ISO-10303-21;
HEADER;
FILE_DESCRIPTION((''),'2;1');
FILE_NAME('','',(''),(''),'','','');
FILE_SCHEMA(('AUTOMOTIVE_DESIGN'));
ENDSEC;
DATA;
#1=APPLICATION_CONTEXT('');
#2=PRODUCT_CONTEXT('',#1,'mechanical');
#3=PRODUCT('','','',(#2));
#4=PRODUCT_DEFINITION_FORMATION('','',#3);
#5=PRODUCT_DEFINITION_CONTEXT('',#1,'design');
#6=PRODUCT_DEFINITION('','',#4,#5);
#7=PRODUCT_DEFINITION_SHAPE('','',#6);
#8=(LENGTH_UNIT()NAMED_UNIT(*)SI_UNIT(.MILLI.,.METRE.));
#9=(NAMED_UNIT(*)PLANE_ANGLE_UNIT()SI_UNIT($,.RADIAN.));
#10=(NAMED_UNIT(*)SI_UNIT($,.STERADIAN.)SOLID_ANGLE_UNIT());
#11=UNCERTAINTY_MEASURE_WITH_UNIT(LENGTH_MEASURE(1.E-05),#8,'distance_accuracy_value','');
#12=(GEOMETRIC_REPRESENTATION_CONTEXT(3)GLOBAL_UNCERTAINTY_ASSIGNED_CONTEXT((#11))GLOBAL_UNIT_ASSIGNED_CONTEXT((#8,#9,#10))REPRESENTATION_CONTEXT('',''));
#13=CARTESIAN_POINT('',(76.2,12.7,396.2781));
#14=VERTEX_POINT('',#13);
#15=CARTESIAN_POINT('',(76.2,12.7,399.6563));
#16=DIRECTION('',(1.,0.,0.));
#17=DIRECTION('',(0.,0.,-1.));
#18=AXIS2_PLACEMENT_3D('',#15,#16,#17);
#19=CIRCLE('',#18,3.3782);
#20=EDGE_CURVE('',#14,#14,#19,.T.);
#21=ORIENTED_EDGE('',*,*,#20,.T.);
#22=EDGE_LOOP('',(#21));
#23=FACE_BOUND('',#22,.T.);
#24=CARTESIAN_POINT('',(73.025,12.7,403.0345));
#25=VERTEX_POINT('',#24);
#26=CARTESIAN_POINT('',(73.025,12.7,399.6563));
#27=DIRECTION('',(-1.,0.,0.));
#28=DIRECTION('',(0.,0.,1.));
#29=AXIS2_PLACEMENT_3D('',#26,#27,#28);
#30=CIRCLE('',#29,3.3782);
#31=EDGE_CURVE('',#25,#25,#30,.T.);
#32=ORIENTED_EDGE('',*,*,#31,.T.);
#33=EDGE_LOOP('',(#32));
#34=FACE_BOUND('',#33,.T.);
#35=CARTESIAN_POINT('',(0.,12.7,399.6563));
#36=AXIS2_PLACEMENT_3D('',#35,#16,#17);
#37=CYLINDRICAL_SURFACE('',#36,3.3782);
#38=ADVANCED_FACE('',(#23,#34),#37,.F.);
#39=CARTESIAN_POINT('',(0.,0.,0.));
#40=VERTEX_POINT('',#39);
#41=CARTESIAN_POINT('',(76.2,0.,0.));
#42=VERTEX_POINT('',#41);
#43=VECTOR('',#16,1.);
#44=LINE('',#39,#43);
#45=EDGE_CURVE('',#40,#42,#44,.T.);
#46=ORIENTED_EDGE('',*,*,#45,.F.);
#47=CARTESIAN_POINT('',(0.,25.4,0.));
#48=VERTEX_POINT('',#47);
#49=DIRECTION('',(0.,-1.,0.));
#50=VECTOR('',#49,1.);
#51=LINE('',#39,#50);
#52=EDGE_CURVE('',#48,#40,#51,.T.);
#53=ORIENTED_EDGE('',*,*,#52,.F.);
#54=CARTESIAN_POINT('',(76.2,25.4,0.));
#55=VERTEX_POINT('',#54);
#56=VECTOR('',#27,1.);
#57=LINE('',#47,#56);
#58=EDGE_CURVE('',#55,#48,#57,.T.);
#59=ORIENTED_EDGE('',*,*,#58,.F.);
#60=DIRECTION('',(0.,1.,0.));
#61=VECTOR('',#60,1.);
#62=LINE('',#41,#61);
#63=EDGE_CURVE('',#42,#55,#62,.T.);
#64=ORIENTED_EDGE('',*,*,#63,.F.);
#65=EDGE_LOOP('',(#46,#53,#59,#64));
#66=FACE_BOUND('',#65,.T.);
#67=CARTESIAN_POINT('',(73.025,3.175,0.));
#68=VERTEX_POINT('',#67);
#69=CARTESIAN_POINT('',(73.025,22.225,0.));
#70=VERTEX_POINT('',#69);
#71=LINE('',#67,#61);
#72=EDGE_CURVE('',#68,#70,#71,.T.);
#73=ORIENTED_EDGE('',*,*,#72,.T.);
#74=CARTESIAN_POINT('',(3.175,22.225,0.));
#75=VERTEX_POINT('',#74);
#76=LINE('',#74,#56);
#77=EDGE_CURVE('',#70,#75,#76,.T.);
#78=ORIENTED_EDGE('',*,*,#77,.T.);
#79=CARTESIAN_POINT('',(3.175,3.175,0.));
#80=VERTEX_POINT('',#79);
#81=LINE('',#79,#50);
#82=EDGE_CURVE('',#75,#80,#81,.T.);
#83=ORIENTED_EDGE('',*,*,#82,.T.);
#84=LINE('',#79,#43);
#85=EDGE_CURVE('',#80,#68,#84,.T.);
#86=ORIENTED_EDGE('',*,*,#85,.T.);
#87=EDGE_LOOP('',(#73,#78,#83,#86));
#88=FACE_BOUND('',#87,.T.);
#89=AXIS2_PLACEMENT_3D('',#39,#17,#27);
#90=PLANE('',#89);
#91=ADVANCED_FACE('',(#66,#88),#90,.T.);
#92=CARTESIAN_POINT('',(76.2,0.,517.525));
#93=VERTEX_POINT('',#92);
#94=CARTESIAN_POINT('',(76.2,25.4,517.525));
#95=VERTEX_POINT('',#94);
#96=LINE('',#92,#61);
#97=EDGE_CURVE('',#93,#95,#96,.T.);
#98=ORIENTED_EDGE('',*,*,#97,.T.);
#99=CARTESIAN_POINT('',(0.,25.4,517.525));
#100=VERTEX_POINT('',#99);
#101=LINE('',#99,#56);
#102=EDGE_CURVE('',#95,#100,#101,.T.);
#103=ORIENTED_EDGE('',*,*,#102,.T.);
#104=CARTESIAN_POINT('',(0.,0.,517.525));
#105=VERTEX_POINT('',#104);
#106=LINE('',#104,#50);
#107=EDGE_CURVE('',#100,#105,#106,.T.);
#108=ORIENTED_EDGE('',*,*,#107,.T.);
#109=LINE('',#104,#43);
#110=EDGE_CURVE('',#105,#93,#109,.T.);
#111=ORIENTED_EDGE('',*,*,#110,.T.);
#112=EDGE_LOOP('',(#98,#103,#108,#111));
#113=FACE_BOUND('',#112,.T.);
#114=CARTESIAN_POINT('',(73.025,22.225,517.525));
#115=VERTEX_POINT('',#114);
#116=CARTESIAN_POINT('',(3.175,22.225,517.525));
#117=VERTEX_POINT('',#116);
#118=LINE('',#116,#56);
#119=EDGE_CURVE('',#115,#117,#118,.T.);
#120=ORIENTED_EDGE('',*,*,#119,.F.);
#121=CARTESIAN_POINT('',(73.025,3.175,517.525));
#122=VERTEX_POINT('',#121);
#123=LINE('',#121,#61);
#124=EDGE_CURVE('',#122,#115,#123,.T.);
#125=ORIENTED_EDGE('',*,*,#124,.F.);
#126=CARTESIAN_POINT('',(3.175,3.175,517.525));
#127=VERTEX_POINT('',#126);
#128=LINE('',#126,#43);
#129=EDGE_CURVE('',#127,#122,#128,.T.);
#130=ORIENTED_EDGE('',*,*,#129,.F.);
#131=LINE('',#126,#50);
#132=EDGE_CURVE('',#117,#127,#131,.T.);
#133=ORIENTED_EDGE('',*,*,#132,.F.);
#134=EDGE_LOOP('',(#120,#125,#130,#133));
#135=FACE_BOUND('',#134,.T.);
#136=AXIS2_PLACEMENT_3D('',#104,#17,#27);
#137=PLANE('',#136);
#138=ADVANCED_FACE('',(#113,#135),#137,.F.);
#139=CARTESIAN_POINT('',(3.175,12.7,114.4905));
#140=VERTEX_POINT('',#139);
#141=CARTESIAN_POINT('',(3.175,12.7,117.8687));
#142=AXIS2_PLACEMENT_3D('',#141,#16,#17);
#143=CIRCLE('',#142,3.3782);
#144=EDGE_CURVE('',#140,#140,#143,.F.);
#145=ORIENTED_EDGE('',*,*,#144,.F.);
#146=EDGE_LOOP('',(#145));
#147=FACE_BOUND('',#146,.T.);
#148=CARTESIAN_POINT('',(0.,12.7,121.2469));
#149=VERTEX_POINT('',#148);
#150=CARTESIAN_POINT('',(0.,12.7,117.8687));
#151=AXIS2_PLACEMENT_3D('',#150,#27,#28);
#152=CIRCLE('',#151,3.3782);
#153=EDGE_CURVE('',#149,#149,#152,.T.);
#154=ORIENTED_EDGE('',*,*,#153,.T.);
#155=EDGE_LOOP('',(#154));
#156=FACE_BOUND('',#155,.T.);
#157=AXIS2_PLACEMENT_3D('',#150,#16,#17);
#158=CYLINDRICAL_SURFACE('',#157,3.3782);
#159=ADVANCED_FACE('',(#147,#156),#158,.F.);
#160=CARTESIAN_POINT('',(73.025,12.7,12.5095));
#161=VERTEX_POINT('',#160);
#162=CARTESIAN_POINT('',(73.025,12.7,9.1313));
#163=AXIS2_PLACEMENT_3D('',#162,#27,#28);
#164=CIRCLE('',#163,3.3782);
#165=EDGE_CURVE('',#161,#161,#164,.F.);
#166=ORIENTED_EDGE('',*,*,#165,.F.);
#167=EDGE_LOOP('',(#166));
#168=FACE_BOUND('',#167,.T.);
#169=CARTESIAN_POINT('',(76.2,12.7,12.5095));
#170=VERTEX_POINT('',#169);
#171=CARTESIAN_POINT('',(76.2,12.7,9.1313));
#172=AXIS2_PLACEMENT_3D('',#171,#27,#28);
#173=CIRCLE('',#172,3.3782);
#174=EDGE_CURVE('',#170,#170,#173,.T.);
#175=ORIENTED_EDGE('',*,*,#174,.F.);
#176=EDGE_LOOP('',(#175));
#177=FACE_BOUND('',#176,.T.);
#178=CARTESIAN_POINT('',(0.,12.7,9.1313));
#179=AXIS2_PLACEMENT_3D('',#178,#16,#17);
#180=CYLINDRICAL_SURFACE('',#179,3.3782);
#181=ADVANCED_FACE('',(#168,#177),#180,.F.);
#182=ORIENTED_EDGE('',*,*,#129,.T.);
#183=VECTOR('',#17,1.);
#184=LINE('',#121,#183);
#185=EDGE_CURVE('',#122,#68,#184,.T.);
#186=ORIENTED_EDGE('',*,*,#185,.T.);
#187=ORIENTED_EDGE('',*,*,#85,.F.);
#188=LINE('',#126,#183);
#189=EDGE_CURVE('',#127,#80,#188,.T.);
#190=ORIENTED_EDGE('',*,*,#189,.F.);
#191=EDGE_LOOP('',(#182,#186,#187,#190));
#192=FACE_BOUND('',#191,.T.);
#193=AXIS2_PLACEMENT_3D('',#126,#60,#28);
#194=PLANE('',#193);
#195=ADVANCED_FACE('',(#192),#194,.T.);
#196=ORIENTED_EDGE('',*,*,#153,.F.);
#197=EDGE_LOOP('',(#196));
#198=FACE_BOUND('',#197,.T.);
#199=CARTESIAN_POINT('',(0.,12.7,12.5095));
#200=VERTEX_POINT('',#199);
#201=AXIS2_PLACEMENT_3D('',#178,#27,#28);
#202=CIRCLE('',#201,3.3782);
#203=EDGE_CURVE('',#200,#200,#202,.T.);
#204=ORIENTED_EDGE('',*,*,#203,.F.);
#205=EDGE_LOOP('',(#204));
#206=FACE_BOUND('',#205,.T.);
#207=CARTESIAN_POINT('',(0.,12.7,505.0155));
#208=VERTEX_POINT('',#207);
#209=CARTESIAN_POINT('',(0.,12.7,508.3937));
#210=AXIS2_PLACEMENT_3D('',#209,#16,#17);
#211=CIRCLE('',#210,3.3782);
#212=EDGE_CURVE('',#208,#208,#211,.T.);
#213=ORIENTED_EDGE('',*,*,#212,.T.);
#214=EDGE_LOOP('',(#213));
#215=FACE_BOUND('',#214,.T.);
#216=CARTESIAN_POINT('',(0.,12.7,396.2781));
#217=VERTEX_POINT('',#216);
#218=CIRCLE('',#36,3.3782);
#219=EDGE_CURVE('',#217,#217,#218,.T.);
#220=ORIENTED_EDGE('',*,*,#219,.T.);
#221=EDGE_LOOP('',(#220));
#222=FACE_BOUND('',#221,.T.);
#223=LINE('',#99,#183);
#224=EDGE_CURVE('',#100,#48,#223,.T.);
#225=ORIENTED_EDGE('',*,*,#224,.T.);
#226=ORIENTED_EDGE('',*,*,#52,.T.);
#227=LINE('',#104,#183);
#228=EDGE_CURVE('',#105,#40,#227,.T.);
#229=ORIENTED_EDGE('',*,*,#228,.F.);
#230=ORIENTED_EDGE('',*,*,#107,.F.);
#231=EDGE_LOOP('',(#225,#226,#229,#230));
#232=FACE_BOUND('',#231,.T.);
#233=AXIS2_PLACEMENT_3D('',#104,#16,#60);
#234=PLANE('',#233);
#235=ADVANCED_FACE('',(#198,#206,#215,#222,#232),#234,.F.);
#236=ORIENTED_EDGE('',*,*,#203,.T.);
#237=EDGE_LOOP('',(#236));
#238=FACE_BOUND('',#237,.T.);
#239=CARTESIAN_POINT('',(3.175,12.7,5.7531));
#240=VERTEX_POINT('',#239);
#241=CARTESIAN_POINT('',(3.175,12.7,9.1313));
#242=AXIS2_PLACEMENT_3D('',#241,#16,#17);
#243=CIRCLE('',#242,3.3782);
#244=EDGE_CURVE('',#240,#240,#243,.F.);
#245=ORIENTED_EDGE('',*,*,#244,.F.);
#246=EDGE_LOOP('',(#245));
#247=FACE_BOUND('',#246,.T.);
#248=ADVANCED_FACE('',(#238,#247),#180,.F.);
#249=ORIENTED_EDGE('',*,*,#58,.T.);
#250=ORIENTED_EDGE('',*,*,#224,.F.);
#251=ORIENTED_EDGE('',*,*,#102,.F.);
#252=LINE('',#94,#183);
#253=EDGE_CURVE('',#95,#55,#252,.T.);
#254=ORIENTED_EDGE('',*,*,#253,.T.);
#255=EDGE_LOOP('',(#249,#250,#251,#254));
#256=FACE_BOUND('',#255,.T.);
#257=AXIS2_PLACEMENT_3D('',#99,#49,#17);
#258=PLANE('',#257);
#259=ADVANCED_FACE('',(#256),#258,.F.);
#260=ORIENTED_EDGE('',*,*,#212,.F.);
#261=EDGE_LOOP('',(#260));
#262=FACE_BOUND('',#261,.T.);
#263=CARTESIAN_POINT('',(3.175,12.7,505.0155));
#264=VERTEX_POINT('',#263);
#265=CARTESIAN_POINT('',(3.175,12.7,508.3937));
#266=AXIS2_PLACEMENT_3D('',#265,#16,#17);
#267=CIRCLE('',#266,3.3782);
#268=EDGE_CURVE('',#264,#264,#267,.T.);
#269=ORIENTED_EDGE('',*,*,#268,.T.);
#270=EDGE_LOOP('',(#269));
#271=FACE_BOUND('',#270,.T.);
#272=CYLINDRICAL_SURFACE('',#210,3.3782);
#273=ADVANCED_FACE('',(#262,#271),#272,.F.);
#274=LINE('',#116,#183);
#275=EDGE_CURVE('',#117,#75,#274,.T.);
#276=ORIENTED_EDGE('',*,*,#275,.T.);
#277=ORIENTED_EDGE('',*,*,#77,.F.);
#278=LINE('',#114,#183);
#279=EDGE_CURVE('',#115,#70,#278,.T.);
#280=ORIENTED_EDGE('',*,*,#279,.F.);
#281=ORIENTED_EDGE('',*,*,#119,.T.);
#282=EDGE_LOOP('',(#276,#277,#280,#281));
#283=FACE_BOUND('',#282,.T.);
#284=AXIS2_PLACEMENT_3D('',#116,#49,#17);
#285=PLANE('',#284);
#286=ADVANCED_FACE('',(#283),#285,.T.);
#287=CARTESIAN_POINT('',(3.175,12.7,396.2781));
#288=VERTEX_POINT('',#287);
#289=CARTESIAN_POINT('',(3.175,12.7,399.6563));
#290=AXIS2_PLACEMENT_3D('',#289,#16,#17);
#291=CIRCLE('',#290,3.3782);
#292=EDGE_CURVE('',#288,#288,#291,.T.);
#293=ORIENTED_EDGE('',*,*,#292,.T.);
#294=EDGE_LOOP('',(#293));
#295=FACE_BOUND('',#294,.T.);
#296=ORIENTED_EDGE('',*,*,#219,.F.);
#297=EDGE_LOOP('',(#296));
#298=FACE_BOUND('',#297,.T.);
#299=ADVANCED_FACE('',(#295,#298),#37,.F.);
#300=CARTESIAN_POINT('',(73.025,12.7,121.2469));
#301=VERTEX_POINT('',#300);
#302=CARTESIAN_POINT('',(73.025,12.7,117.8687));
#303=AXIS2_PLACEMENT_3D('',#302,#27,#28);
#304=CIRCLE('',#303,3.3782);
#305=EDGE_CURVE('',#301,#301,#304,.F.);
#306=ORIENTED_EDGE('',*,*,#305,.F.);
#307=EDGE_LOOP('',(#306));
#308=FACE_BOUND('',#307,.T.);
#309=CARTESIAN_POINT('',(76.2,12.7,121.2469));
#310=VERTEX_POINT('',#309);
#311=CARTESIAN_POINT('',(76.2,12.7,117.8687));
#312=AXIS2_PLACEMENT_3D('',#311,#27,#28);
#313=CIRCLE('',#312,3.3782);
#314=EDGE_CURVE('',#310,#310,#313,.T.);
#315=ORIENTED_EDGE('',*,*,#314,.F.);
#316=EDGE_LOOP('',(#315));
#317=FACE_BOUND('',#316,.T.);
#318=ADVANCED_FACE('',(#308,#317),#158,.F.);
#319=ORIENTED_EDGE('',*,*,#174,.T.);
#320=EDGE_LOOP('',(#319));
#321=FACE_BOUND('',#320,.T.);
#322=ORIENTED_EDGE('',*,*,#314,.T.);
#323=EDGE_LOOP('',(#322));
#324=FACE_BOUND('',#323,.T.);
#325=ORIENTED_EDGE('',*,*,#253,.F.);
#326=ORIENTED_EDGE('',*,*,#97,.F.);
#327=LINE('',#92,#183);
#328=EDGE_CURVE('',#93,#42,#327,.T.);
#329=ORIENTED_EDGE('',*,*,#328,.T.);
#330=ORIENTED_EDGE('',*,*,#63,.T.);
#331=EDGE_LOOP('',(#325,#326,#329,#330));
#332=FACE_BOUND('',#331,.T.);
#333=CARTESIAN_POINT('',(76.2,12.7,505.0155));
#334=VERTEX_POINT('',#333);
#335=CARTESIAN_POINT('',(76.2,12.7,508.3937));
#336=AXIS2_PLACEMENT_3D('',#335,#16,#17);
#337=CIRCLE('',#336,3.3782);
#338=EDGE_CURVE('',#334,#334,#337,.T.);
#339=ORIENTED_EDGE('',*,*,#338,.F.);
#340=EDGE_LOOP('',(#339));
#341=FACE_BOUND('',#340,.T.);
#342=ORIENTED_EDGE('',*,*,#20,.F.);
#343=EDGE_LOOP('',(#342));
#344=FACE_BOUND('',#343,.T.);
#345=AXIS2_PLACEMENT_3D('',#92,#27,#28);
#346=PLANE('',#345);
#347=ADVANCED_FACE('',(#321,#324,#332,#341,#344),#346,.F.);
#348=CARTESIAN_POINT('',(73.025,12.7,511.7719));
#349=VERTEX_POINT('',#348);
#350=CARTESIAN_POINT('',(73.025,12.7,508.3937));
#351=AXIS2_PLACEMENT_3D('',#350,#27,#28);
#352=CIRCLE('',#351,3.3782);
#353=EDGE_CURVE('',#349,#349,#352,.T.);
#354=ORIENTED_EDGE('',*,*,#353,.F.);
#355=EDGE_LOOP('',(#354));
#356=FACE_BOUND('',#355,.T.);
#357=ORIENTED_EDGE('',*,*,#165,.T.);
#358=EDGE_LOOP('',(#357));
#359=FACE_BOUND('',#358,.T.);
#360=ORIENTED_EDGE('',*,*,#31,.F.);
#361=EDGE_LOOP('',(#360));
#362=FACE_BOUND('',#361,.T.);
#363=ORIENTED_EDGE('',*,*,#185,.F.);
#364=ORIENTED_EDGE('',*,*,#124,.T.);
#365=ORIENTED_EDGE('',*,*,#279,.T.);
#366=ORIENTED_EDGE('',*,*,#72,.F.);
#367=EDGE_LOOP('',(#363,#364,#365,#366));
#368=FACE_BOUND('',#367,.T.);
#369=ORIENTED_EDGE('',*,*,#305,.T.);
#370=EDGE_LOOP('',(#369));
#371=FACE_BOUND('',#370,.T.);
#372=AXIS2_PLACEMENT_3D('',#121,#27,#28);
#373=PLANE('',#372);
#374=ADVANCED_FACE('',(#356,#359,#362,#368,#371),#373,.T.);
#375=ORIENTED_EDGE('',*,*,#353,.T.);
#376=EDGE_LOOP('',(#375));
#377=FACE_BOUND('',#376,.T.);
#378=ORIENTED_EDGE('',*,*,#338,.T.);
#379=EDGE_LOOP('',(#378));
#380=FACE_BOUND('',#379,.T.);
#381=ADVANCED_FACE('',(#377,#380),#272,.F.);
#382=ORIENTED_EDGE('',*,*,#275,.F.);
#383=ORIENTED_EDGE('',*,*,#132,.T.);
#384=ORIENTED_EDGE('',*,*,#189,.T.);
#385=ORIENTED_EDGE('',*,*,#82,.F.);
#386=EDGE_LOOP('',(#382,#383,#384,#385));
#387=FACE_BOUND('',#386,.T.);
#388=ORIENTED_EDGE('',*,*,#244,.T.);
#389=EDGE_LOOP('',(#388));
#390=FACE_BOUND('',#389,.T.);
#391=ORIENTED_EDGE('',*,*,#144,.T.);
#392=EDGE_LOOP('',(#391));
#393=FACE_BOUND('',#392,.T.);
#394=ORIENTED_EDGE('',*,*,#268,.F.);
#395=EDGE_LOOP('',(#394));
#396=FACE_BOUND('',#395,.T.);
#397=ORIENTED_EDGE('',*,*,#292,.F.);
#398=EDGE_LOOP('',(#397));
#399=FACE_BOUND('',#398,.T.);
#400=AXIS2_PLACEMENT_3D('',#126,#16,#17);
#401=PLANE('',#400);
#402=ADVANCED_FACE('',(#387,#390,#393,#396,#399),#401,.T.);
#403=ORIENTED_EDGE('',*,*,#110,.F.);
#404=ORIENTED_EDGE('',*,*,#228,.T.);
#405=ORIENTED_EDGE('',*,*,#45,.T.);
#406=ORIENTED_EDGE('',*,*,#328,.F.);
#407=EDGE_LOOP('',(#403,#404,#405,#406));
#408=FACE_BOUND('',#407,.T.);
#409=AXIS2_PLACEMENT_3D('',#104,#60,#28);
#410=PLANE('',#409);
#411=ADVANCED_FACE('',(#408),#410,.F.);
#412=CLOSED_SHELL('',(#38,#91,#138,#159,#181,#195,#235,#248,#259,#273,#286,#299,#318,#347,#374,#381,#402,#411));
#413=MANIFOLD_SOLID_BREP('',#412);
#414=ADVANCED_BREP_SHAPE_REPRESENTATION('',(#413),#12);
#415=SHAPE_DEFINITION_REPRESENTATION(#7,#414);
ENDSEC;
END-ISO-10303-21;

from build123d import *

# Parameters (mm, degrees)
SKETCH1_W           = 76.2
SKETCH1_H           = 25.4
SKETCH1_W_2         = 69.85
SKETCH1_H_2         = 19.05
BOSS_EXTRUDE1_DEPTH = 517.525
SKETCH3_R           = 3.3782
CUT_EXTRUDE1_DEPTH  = 77.2


with BuildPart() as part:
    # Sketch1 → Boss-Extrude1 (new body)
    with BuildSketch(Plane.XY):
        with Locations((38.1, 12.7)):
            Rectangle(SKETCH1_W, SKETCH1_H)
        with Locations((38.1, 12.7)):
            Rectangle(SKETCH1_W_2, SKETCH1_H_2, mode=Mode.SUBTRACT)
    extrude(amount=BOSS_EXTRUDE1_DEPTH)

    # Sketch3 → Cut-Extrude1 (cut, through all)
    with BuildSketch(Plane(origin=(76.2, 0, 0), x_dir=(0, 0, -1), z_dir=(1, 0, 0))):
        with Locations((-508.3937, 12.7)):
            Circle(SKETCH3_R)
        with Locations((-399.6563, 12.7)):
            Circle(SKETCH3_R)
    cut_extrude1 = extrude(amount=-CUT_EXTRUDE1_DEPTH, mode=Mode.SUBTRACT)

    # Mirror1: Cut-Extrude1 across plane
    add(cut_extrude1.mirror(Plane(origin=(0, 0, 258.7625), x_dir=(1, 0, 0), z_dir=(0, 0, -1))), mode=Mode.SUBTRACT)


solid = part.part
